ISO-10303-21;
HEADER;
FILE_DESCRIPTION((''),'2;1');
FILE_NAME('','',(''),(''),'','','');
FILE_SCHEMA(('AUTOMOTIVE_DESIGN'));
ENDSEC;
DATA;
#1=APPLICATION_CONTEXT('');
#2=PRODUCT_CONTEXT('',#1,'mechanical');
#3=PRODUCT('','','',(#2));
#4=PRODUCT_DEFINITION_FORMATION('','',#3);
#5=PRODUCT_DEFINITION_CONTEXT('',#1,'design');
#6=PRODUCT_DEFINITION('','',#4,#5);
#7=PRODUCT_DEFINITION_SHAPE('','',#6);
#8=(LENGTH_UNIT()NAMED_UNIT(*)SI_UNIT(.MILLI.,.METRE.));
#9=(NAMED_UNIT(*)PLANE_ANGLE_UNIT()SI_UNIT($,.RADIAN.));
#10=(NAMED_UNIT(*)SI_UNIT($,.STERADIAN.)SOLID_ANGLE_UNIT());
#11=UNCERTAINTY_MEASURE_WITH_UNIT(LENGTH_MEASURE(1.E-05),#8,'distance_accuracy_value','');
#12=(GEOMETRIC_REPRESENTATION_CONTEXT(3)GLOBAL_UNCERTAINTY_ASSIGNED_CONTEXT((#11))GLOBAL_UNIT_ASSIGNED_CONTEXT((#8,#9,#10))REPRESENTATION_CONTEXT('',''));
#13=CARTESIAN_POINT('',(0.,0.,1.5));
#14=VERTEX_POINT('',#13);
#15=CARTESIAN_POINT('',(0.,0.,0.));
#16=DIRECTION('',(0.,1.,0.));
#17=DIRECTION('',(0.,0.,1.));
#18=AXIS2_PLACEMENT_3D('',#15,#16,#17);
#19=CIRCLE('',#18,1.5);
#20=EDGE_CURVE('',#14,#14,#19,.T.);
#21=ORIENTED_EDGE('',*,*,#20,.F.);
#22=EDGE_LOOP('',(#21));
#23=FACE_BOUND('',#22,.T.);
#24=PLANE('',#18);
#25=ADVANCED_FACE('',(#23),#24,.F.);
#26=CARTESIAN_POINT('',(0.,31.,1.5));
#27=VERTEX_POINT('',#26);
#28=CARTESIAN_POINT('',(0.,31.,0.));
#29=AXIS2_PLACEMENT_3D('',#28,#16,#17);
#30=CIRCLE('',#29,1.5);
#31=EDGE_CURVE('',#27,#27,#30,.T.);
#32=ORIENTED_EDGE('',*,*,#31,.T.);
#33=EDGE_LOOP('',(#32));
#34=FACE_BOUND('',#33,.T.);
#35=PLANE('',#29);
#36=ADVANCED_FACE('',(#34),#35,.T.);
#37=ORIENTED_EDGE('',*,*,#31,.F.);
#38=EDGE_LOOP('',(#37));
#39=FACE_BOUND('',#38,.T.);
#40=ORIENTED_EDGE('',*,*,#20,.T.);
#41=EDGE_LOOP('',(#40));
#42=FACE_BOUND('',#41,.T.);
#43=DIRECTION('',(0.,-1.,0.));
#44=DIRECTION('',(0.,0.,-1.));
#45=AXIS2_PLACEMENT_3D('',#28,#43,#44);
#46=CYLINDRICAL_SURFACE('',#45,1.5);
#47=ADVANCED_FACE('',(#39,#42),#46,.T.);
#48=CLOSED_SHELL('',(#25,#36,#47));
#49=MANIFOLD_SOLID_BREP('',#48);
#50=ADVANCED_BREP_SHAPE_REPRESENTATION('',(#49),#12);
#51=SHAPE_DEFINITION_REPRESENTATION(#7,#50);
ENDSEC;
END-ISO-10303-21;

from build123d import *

# Parameters (mm, degrees)
SKETCH1_R           = 1.5
BOSS_EXTRUDE1_DEPTH = 31


with BuildPart() as part:
    # Sketch1 → Boss-Extrude1 (new body)
    with BuildSketch(Plane(origin=(0, 0, 0), x_dir=(1, 0, 0), z_dir=(0, 1, 0))):
        Circle(SKETCH1_R)
    extrude(amount=BOSS_EXTRUDE1_DEPTH)


solid = part.part
